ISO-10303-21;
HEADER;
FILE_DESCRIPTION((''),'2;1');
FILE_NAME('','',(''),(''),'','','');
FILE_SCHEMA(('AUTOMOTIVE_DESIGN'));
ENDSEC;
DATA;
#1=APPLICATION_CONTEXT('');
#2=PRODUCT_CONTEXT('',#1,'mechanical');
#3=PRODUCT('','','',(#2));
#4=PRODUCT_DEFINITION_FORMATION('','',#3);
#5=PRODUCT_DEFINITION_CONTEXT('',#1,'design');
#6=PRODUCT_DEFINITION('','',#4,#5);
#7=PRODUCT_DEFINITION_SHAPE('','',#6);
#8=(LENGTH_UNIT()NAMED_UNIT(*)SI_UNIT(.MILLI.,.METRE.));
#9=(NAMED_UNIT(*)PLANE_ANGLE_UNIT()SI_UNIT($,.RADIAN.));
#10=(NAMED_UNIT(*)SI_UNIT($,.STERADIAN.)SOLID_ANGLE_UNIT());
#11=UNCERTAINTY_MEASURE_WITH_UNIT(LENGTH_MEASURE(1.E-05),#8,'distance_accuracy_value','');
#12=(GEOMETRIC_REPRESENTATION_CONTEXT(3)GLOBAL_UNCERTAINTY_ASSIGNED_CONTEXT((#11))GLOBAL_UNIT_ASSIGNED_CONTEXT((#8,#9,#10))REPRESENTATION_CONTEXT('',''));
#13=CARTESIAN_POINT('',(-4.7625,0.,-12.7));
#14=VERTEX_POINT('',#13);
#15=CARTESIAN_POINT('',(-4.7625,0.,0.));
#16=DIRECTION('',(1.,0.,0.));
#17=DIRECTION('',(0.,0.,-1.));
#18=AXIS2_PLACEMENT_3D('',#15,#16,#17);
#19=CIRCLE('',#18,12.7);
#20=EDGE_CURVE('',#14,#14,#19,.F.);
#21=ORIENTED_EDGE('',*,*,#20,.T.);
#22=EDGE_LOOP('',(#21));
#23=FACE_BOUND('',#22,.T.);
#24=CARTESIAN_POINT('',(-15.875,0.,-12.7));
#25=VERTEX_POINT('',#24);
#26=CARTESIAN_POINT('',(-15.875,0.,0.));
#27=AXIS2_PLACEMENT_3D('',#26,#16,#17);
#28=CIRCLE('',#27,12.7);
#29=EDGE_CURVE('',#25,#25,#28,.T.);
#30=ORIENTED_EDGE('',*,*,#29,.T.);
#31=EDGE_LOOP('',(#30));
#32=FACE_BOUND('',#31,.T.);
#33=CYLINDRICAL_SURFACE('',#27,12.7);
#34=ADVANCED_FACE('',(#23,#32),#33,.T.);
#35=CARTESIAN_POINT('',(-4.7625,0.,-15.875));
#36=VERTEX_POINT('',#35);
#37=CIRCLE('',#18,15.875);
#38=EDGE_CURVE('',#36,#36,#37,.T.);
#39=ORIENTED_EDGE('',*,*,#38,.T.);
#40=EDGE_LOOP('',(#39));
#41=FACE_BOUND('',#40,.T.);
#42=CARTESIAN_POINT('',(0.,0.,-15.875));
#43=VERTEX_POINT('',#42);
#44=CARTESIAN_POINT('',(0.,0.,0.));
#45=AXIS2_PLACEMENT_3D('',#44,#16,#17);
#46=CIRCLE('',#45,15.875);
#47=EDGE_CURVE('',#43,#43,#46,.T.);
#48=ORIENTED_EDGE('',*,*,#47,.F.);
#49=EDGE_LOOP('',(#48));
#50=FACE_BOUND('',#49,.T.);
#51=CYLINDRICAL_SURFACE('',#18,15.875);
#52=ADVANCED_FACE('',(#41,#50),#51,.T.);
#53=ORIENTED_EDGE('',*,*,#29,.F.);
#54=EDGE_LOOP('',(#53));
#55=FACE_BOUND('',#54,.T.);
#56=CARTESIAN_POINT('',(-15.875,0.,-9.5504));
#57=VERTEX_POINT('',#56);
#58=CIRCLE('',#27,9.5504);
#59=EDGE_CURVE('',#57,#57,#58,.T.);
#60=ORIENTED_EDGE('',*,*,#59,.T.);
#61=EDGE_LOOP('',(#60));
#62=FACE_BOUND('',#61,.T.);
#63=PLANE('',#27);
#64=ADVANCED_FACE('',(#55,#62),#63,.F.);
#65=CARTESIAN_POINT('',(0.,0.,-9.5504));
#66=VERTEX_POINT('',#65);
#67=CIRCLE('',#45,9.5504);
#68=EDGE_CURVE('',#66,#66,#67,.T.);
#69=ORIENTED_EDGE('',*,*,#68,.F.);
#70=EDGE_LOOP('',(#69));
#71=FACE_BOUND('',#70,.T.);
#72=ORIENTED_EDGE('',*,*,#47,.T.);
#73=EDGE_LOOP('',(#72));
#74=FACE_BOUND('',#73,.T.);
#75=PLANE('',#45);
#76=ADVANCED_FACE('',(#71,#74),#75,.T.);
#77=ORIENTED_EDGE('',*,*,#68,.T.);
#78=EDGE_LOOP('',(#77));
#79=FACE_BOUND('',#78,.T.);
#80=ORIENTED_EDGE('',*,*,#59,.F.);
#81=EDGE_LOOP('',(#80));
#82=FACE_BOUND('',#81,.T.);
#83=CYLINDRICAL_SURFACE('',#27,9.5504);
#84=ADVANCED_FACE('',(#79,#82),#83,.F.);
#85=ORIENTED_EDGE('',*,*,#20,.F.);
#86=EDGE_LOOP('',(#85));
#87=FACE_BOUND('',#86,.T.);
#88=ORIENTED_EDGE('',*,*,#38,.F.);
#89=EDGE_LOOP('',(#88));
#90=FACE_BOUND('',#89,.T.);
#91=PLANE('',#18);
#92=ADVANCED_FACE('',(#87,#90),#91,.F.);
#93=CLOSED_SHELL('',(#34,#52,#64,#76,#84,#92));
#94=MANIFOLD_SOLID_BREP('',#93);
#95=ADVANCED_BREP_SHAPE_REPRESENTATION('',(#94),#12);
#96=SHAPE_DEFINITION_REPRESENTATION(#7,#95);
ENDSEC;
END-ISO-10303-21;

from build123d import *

# Parameters (mm, degrees)
SKETCH1_R           = 12.7
SKETCH1_R_2         = 9.5504
BOSS_EXTRUDE1_DEPTH = 15.875
SKETCH3_R           = 15.875
SKETCH3_R_2         = 9.5504
BOSS_EXTRUDE2_DEPTH = 4.7625


with BuildPart() as part:
    # Sketch1 → Boss-Extrude1 (new body)
    with BuildSketch(Plane(origin=(0, 0, 0), x_dir=(0, 0, -1), z_dir=(1, 0, 0))):
        Circle(SKETCH1_R)
        Circle(SKETCH1_R_2, mode=Mode.SUBTRACT)
    extrude(amount=-BOSS_EXTRUDE1_DEPTH)

    # Sketch3 → Boss-Extrude2 (add)
    with BuildSketch(Plane(origin=(0, 0, 0), x_dir=(0, 0, -1), z_dir=(1, 0, 0))):
        Circle(SKETCH3_R)
        Circle(SKETCH3_R_2, mode=Mode.SUBTRACT)
    extrude(amount=-BOSS_EXTRUDE2_DEPTH)


solid = part.part
